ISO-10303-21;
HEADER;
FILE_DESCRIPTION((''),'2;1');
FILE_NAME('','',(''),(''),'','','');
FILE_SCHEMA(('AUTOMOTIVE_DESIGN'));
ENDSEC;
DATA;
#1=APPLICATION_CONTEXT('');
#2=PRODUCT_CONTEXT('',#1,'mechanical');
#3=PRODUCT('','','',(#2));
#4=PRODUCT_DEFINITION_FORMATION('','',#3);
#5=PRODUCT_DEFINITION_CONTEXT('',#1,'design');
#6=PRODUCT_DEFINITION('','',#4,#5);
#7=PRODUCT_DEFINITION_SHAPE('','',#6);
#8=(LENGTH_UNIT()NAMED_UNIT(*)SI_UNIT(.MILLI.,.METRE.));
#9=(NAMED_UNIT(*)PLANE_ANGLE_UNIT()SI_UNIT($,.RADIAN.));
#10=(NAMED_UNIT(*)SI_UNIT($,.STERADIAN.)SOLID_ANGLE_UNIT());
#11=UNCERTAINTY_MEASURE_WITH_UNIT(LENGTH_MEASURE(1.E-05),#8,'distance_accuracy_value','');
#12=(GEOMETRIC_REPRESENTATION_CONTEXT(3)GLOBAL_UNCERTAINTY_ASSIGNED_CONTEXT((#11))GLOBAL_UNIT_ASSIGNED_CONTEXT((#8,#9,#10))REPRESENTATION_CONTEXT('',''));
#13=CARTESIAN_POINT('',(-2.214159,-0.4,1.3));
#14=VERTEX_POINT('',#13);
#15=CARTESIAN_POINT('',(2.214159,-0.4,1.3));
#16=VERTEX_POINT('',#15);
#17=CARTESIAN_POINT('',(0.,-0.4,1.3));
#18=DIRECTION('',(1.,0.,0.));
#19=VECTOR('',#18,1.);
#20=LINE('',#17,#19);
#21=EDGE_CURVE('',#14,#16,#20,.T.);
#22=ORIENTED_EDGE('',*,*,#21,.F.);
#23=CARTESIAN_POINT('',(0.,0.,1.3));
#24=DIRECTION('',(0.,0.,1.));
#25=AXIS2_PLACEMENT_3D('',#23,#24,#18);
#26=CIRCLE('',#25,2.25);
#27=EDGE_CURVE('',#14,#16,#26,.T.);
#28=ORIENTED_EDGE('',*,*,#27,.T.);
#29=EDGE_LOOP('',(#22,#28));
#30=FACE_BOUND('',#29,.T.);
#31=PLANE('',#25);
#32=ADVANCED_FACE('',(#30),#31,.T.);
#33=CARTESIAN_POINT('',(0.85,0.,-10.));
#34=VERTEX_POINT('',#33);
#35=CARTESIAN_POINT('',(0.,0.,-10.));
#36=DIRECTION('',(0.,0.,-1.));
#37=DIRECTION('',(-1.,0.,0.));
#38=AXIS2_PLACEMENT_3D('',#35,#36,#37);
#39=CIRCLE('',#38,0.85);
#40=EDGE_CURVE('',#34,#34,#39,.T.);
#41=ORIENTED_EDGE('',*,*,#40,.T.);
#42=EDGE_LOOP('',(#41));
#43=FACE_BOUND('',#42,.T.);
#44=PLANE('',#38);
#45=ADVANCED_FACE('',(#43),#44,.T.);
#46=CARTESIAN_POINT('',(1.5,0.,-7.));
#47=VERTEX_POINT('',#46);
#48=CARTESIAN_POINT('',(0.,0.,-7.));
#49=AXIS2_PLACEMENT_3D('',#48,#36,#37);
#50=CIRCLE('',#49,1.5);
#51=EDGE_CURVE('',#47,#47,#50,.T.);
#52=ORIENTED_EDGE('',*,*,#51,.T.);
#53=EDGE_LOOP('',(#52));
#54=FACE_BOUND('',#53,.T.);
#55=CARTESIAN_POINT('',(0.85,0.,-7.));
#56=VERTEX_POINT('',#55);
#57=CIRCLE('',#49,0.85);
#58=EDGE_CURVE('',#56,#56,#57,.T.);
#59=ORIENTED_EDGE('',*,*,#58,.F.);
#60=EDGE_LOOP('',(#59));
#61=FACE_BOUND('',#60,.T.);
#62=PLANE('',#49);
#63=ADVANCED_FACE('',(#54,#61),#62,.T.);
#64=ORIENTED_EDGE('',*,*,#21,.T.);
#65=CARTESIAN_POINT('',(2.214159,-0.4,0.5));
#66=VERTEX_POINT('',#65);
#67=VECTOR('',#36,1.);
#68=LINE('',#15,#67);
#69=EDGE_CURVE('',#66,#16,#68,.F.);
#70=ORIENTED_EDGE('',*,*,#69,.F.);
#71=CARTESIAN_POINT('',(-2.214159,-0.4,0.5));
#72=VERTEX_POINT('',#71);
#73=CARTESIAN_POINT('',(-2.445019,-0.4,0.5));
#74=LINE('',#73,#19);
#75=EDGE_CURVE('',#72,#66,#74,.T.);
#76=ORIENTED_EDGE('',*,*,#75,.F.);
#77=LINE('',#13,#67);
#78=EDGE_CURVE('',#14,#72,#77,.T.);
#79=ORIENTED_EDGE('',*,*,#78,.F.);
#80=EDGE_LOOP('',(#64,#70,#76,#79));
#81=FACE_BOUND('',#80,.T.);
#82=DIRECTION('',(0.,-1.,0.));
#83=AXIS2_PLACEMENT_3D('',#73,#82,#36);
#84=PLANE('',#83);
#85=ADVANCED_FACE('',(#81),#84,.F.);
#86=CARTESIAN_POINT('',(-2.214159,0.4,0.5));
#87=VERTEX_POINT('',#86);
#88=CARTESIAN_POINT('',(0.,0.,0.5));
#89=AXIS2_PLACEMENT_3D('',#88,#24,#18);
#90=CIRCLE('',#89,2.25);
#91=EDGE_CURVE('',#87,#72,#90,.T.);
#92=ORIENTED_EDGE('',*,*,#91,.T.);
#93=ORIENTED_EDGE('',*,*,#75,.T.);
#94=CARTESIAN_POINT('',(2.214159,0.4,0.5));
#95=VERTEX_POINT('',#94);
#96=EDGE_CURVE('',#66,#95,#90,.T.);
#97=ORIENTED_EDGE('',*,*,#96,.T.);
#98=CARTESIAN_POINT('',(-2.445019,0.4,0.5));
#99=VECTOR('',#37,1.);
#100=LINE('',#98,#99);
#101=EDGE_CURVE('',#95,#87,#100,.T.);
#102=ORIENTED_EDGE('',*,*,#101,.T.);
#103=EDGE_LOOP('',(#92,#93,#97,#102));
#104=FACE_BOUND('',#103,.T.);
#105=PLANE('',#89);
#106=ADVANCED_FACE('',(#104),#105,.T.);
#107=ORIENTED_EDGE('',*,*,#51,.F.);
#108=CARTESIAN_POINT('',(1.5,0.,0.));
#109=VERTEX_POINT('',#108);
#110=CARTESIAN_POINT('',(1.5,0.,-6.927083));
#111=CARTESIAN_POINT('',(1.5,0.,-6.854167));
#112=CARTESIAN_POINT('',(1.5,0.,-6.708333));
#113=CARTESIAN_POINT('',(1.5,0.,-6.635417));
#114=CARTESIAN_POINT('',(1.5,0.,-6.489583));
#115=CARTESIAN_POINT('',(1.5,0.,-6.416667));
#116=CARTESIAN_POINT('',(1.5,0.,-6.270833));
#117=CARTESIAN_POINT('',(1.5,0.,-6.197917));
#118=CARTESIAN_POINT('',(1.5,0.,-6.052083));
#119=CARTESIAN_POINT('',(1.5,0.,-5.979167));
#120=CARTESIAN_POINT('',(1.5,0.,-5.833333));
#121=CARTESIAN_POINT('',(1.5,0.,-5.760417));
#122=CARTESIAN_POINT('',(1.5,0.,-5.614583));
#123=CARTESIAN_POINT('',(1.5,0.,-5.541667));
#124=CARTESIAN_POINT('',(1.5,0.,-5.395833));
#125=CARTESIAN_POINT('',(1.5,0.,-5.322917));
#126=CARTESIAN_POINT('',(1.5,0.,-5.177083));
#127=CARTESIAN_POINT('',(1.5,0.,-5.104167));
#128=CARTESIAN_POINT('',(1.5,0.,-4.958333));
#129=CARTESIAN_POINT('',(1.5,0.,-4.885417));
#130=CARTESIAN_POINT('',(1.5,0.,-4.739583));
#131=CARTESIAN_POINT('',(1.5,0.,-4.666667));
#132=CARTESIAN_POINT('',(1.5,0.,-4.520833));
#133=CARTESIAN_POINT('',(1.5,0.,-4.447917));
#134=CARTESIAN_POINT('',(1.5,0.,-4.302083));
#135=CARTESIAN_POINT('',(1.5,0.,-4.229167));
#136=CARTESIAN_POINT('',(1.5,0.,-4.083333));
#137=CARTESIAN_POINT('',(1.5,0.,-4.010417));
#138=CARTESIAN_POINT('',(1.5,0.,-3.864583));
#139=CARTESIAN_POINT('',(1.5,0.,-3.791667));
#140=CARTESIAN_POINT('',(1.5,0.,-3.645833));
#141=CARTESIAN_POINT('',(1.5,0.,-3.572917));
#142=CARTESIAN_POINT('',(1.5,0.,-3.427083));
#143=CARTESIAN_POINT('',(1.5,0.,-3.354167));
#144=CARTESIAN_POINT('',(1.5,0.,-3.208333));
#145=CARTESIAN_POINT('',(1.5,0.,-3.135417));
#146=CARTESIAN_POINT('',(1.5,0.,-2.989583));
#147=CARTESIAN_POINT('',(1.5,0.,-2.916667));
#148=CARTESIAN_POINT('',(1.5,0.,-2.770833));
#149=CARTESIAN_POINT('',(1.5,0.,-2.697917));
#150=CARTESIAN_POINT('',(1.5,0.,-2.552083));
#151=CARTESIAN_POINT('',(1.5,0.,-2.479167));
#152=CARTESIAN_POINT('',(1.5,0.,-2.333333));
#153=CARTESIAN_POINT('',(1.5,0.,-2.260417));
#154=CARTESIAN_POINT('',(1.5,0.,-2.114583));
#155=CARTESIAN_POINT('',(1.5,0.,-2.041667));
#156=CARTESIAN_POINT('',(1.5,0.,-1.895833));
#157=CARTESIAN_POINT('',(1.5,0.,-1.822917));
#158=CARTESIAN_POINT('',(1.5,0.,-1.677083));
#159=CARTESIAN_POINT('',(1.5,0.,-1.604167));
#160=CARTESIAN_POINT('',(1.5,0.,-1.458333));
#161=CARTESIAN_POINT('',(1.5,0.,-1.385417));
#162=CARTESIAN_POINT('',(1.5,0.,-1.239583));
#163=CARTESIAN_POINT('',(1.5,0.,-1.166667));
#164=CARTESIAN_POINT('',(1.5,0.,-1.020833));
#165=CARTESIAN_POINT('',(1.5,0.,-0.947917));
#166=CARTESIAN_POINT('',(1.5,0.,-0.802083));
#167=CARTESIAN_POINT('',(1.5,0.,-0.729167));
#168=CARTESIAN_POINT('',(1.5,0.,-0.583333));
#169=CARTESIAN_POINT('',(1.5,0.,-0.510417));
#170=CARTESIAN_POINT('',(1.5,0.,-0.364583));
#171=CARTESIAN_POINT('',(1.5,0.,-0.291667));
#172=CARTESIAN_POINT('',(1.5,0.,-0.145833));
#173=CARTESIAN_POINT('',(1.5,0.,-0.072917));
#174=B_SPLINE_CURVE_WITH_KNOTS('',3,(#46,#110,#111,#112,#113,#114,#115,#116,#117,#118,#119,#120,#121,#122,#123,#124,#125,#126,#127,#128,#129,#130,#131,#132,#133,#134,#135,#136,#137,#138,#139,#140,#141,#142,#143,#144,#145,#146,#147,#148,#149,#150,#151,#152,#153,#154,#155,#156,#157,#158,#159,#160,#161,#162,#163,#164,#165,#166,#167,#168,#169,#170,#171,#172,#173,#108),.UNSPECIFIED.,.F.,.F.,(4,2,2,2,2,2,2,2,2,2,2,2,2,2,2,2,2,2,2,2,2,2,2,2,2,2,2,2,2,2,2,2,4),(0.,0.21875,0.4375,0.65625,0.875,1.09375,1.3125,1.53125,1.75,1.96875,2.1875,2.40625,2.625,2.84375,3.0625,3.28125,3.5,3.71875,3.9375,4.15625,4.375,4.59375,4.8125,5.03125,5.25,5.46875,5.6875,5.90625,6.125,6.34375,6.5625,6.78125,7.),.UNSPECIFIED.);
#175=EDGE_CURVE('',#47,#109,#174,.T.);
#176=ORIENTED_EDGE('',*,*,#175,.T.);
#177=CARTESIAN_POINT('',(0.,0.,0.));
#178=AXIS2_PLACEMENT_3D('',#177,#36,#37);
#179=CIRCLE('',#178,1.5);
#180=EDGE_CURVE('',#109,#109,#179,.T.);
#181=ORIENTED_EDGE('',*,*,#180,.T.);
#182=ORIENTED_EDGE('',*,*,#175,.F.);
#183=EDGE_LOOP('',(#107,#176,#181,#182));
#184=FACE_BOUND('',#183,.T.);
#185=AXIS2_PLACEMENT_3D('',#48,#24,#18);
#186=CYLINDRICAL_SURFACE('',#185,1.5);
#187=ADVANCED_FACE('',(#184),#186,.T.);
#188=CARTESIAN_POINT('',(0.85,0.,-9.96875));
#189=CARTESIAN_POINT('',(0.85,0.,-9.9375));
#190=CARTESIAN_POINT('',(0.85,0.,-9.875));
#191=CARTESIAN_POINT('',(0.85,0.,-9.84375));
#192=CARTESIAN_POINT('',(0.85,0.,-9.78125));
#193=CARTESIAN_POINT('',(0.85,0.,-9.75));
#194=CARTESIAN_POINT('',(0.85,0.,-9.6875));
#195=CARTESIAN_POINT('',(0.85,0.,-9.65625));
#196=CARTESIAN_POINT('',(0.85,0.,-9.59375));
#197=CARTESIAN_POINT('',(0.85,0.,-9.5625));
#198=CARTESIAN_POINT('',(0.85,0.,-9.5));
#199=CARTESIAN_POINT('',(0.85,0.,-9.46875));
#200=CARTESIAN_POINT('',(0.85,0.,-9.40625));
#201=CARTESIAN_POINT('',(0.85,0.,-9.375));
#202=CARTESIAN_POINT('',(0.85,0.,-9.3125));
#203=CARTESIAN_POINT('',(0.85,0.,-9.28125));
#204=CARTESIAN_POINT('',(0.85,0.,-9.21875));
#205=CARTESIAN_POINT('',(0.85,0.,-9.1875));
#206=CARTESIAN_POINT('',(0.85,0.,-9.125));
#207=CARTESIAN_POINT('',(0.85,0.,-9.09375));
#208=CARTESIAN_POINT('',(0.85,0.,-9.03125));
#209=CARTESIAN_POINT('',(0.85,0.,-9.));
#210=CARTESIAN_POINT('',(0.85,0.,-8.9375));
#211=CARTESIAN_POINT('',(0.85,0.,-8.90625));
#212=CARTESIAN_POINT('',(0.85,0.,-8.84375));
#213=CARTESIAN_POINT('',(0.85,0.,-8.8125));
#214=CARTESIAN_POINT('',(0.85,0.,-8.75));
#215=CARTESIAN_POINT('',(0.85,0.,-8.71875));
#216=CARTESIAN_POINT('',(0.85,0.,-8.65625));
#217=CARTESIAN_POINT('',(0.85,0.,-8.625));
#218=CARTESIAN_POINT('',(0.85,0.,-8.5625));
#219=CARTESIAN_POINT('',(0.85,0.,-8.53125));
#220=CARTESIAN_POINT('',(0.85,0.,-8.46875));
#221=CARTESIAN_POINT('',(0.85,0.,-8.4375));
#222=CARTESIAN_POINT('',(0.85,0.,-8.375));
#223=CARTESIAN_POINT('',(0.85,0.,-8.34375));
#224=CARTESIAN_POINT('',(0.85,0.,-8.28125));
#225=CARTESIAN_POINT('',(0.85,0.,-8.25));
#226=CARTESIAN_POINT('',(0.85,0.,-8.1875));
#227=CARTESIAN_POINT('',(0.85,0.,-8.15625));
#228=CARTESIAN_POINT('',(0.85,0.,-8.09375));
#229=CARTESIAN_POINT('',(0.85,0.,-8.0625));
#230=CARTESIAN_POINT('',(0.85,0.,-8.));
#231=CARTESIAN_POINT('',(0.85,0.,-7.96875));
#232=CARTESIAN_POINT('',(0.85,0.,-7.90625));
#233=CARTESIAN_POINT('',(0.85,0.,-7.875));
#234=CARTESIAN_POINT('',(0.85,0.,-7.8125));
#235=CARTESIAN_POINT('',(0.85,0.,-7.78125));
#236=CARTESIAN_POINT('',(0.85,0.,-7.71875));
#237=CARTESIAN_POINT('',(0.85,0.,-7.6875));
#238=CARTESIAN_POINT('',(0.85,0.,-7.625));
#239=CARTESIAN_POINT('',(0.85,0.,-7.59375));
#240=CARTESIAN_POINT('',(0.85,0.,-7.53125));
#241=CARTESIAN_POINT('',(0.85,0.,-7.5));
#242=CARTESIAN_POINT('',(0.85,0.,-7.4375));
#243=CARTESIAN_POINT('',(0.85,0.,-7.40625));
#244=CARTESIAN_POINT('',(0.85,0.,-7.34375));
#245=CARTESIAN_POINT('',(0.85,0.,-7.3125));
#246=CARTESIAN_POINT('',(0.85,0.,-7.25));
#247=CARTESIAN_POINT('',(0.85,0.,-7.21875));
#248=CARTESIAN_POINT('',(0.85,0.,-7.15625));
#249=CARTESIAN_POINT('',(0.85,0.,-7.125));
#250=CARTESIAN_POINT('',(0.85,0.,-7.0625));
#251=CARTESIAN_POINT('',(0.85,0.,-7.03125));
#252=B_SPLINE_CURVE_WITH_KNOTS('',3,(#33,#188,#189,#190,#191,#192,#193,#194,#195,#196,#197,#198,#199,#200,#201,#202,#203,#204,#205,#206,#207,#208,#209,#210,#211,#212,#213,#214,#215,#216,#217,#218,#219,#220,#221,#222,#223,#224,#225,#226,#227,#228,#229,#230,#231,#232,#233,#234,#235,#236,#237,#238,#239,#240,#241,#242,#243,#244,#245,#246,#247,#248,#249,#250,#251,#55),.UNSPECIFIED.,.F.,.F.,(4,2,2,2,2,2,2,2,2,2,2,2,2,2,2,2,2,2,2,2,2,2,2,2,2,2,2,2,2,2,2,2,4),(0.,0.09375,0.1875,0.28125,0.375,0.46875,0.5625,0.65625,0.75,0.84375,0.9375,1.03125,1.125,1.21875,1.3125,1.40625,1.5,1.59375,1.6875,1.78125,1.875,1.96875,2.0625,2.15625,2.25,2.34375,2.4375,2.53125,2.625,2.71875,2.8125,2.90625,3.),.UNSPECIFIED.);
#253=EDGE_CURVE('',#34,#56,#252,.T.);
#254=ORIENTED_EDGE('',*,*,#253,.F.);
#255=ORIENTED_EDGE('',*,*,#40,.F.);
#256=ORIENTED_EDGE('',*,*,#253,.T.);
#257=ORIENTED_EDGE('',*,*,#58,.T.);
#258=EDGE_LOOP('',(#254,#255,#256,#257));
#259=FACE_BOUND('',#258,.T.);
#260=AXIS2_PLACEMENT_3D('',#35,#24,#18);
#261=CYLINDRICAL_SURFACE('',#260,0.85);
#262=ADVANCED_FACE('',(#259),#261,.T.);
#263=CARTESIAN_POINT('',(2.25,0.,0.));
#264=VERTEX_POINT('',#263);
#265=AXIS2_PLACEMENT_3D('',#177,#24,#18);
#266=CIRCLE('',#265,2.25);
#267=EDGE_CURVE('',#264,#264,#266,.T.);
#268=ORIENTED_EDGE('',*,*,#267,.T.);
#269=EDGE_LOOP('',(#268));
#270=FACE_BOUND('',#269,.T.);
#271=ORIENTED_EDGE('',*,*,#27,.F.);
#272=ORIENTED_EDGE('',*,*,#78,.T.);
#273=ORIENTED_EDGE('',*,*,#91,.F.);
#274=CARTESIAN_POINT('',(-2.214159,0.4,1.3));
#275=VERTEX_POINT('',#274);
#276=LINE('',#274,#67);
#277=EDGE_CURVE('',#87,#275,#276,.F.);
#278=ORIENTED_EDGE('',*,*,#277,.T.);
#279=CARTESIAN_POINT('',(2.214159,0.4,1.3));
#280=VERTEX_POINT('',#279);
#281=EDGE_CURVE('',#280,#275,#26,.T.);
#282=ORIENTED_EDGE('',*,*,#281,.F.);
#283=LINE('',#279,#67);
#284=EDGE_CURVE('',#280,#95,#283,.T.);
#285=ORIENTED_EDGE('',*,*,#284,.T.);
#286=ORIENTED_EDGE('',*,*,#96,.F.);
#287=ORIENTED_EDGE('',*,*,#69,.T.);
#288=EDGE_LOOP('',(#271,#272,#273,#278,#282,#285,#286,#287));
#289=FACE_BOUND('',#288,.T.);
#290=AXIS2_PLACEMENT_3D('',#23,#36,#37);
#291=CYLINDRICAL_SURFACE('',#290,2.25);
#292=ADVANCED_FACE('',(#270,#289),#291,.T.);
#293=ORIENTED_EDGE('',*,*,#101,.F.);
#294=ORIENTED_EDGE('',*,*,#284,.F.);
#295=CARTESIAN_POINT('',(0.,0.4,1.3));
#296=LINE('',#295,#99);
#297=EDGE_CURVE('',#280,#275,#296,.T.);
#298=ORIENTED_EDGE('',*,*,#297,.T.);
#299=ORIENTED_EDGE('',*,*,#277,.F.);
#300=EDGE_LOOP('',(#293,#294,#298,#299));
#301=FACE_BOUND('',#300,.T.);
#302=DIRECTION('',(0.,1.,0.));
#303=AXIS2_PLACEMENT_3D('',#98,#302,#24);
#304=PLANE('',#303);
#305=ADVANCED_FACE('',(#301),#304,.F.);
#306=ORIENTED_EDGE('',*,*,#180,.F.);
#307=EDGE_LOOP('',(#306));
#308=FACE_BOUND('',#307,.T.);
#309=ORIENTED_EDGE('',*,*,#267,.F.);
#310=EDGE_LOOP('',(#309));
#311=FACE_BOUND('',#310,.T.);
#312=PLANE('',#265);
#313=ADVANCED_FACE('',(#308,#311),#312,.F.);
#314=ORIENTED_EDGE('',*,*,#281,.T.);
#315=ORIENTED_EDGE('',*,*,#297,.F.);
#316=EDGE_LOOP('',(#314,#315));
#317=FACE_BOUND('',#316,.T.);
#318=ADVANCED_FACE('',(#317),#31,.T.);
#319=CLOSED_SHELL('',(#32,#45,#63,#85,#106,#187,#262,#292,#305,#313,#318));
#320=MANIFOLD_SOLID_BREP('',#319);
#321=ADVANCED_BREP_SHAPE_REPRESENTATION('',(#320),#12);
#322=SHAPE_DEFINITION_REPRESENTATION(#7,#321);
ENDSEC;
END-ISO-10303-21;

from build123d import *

# Parameters (mm, degrees)
SKETCH2_R           = 2.25
BOSS_EXTRUDE1_DEPTH = 1.3
SKETCH3_W           = 4.890037446
SKETCH3_H           = 0.8
CUT_EXTRUDE1_DEPTH  = 0.8
SKETCH4_R           = 1.5
BOSS_EXTRUDE2_DEPTH = 7
SKETCH5_R           = 0.85
BOSS_EXTRUDE3_DEPTH = 3


with BuildPart() as part:
    # Sketch2 → Boss-Extrude1 (new body)
    with BuildSketch(Plane.XY):
        Circle(SKETCH2_R)
    extrude(amount=BOSS_EXTRUDE1_DEPTH)

    # Sketch3 → Cut-Extrude1 (cut)
    with BuildSketch(Plane.XY.offset(1.3)):
        Rectangle(SKETCH3_W, SKETCH3_H)
    extrude(amount=-CUT_EXTRUDE1_DEPTH, mode=Mode.SUBTRACT)

    # Sketch4 → Boss-Extrude2 (add)
    with BuildSketch(Plane(origin=(0, 0, 0), x_dir=(-1, 0, 0), z_dir=(0, 0, -1))):
        Circle(SKETCH4_R)
    extrude(amount=BOSS_EXTRUDE2_DEPTH)

    # Sketch5 → Boss-Extrude3 (add)
    with BuildSketch(Plane(origin=(0, 0, -7), x_dir=(-1, 0, 0), z_dir=(0, 0, -1))):
        with Locations(Location((0, 0, 0), (0, 0, 180))):
            Circle(SKETCH5_R)
    extrude(amount=BOSS_EXTRUDE3_DEPTH)


solid = part.part
